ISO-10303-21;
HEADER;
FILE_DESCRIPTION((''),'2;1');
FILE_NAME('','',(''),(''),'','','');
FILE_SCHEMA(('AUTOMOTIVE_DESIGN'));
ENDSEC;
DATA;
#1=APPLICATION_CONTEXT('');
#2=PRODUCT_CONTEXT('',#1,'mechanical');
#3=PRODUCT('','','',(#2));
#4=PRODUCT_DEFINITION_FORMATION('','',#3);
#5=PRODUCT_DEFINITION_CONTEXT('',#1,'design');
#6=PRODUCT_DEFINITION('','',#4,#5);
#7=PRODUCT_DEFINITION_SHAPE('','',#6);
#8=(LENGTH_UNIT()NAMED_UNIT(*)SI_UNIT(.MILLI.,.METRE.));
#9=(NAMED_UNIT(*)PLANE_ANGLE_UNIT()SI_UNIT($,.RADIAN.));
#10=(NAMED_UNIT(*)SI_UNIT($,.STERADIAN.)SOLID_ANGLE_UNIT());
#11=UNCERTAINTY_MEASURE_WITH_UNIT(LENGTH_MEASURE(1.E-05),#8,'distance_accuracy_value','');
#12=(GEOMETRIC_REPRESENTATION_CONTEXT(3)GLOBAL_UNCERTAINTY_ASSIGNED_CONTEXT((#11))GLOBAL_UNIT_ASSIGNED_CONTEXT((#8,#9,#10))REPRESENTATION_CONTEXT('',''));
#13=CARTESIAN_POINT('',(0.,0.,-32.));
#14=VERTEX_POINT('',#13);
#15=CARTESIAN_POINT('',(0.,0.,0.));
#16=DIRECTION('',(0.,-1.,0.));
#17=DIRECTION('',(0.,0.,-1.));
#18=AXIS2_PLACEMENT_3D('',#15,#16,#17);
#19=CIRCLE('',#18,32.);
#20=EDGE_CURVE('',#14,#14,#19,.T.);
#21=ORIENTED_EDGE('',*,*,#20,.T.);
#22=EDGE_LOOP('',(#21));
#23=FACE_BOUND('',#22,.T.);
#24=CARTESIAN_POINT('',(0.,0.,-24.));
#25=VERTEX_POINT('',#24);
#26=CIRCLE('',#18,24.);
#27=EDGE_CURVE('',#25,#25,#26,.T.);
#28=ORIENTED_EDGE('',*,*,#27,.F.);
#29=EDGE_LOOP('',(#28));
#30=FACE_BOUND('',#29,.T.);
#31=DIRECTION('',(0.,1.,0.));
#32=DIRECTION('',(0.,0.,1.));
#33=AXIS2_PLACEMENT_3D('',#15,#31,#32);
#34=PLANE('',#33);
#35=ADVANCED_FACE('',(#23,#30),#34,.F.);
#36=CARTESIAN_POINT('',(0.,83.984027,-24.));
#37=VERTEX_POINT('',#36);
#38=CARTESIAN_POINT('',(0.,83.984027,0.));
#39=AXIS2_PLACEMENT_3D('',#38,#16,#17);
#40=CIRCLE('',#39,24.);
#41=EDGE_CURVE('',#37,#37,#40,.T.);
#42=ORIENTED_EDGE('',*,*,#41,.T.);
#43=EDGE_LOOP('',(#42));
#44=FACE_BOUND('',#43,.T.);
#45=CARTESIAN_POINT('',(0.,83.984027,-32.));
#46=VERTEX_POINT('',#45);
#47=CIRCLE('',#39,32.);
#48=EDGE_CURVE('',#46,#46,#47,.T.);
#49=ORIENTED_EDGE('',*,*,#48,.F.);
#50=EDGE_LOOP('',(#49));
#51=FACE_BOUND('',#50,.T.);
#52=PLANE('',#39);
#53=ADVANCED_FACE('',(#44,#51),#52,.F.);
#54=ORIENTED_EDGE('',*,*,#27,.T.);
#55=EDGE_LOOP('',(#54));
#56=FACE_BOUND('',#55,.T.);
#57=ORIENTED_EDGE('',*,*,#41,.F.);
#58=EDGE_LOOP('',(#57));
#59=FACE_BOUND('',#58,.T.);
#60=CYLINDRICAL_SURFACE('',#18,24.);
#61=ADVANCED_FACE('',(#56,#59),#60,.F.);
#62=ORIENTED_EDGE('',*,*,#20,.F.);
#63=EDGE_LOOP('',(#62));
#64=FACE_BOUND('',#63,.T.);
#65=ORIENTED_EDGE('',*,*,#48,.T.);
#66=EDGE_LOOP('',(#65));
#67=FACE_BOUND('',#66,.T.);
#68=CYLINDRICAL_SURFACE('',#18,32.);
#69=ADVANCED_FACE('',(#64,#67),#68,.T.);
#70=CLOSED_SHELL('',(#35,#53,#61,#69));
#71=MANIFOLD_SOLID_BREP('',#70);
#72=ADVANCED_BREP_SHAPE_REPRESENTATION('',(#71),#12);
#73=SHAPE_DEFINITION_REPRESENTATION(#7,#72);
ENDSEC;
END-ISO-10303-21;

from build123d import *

# Parameters (mm, degrees)
SKETCH1_W = 8
SKETCH1_H = 83.984026871


with BuildPart() as part:
    # Sketch1 → Revolve1 (revolve)
    with BuildSketch(Plane.XY):
        with Locations((-28, 41.992013436)):
            Rectangle(SKETCH1_W, SKETCH1_H)
    revolve(axis=Axis((0, 0, 0), (0, 1, 0)))


solid = part.part
